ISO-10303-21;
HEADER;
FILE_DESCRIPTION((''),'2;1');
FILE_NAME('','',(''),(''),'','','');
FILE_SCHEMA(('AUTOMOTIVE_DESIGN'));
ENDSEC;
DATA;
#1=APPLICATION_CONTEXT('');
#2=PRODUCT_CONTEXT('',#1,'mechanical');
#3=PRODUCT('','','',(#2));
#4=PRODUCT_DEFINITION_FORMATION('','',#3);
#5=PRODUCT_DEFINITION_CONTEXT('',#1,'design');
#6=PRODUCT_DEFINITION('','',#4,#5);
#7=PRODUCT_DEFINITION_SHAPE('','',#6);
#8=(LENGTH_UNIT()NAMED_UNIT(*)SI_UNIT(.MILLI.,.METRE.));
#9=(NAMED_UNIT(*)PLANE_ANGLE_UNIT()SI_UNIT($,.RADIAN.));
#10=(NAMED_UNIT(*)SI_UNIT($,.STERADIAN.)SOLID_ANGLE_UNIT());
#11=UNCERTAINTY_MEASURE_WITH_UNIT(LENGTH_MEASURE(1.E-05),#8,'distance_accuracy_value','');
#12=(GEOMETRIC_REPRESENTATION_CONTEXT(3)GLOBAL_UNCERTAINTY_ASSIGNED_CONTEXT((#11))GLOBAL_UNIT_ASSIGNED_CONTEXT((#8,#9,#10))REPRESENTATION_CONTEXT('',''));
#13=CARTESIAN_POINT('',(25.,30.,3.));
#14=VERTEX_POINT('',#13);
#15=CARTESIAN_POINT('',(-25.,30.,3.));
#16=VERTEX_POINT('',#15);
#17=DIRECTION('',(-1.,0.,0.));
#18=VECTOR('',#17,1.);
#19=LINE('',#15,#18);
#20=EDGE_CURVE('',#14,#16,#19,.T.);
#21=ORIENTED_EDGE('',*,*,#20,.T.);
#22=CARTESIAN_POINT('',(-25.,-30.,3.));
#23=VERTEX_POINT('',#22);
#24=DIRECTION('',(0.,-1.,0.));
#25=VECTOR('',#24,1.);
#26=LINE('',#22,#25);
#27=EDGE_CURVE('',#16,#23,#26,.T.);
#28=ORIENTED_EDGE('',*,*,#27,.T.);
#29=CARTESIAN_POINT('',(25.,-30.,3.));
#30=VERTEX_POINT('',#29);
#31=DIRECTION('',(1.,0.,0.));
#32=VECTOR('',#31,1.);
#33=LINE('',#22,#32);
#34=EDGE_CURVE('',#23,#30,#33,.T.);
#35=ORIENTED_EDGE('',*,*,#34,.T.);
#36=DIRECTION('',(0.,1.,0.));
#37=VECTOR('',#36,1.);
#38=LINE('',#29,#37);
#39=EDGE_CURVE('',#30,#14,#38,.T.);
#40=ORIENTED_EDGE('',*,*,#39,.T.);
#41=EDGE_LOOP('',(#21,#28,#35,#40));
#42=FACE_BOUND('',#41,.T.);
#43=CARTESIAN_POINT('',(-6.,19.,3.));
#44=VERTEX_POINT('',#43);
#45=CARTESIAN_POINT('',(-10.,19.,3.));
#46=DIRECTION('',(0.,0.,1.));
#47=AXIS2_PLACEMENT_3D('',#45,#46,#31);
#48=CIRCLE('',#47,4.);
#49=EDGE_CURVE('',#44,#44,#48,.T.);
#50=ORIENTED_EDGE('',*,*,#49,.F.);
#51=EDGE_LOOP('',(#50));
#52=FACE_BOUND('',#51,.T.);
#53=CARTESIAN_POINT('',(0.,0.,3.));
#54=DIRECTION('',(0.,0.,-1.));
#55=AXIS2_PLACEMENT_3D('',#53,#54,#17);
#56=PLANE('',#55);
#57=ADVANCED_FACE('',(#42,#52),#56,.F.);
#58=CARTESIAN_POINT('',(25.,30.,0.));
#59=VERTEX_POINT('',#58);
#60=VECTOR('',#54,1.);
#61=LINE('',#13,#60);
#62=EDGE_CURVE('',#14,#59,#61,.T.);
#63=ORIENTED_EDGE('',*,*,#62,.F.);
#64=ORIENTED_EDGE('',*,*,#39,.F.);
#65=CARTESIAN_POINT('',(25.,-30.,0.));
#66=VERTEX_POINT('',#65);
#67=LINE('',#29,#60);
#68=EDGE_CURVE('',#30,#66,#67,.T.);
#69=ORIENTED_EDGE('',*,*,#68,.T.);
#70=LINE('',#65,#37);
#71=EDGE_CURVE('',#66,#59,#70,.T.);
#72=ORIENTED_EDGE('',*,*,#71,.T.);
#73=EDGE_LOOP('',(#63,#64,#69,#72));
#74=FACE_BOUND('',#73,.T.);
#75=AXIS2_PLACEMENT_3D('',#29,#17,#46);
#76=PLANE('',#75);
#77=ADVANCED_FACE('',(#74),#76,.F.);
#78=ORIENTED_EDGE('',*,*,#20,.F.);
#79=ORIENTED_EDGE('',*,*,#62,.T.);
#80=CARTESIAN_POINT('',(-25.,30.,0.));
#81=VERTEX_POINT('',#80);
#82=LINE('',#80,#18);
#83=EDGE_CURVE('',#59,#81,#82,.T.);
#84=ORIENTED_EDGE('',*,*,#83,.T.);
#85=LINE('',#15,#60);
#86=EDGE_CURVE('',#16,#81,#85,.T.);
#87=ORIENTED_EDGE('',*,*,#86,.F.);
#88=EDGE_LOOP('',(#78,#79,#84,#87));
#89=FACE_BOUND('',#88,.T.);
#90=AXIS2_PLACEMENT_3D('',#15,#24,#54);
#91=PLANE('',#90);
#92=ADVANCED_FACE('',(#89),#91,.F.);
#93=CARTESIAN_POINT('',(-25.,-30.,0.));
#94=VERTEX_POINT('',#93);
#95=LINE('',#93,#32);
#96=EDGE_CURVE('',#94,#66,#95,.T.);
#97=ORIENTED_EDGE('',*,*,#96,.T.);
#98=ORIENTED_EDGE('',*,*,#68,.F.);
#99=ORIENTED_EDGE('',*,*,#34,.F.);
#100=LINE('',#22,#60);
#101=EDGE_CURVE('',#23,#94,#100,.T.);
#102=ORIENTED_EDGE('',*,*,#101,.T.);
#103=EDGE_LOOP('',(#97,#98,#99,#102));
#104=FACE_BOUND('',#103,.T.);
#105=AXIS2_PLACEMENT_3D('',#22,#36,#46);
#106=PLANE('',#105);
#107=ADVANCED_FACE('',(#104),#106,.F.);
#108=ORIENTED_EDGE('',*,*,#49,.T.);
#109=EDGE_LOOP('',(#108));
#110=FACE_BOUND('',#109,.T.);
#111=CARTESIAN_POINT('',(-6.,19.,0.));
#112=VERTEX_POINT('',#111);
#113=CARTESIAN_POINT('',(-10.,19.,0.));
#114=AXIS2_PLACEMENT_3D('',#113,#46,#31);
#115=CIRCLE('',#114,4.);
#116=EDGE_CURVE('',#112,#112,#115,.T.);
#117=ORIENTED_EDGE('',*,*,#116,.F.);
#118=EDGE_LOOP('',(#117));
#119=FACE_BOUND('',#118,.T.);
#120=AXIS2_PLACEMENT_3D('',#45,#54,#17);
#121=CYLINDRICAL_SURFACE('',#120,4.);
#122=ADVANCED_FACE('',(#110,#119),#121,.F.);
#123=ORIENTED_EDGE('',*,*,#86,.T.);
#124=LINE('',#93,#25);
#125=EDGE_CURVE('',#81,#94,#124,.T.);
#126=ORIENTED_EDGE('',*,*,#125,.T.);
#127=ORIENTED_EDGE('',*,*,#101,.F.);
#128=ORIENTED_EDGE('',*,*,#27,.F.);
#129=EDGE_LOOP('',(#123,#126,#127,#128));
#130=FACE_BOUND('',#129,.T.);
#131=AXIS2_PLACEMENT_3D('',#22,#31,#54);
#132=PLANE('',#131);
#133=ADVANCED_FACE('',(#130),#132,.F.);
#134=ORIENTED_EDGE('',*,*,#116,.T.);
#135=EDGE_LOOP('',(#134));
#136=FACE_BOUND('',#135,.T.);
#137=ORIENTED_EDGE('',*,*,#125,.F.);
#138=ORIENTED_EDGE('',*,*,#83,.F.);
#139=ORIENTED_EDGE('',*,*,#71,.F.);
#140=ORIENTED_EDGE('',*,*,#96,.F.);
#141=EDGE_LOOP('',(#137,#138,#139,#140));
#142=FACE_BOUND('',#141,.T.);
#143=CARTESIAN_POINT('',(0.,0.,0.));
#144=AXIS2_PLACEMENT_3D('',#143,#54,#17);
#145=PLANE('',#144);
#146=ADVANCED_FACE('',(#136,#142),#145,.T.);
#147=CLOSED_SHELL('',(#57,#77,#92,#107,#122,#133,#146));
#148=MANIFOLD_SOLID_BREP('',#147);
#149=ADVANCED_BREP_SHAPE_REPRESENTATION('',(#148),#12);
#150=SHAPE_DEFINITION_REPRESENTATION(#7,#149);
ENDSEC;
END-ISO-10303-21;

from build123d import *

# Parameters (mm, degrees)
SKETCH1_W           = 50
SKETCH1_H           = 60
SKETCH1_R           = 4
BOSS_EXTRUDE1_DEPTH = 3


with BuildPart() as part:
    # Sketch1 → Boss-Extrude1 (new body)
    with BuildSketch(Plane.XY):
        Rectangle(SKETCH1_W, SKETCH1_H)
        with Locations((-10, 19)):
            Circle(SKETCH1_R, mode=Mode.SUBTRACT)
    extrude(amount=BOSS_EXTRUDE1_DEPTH)


solid = part.part
